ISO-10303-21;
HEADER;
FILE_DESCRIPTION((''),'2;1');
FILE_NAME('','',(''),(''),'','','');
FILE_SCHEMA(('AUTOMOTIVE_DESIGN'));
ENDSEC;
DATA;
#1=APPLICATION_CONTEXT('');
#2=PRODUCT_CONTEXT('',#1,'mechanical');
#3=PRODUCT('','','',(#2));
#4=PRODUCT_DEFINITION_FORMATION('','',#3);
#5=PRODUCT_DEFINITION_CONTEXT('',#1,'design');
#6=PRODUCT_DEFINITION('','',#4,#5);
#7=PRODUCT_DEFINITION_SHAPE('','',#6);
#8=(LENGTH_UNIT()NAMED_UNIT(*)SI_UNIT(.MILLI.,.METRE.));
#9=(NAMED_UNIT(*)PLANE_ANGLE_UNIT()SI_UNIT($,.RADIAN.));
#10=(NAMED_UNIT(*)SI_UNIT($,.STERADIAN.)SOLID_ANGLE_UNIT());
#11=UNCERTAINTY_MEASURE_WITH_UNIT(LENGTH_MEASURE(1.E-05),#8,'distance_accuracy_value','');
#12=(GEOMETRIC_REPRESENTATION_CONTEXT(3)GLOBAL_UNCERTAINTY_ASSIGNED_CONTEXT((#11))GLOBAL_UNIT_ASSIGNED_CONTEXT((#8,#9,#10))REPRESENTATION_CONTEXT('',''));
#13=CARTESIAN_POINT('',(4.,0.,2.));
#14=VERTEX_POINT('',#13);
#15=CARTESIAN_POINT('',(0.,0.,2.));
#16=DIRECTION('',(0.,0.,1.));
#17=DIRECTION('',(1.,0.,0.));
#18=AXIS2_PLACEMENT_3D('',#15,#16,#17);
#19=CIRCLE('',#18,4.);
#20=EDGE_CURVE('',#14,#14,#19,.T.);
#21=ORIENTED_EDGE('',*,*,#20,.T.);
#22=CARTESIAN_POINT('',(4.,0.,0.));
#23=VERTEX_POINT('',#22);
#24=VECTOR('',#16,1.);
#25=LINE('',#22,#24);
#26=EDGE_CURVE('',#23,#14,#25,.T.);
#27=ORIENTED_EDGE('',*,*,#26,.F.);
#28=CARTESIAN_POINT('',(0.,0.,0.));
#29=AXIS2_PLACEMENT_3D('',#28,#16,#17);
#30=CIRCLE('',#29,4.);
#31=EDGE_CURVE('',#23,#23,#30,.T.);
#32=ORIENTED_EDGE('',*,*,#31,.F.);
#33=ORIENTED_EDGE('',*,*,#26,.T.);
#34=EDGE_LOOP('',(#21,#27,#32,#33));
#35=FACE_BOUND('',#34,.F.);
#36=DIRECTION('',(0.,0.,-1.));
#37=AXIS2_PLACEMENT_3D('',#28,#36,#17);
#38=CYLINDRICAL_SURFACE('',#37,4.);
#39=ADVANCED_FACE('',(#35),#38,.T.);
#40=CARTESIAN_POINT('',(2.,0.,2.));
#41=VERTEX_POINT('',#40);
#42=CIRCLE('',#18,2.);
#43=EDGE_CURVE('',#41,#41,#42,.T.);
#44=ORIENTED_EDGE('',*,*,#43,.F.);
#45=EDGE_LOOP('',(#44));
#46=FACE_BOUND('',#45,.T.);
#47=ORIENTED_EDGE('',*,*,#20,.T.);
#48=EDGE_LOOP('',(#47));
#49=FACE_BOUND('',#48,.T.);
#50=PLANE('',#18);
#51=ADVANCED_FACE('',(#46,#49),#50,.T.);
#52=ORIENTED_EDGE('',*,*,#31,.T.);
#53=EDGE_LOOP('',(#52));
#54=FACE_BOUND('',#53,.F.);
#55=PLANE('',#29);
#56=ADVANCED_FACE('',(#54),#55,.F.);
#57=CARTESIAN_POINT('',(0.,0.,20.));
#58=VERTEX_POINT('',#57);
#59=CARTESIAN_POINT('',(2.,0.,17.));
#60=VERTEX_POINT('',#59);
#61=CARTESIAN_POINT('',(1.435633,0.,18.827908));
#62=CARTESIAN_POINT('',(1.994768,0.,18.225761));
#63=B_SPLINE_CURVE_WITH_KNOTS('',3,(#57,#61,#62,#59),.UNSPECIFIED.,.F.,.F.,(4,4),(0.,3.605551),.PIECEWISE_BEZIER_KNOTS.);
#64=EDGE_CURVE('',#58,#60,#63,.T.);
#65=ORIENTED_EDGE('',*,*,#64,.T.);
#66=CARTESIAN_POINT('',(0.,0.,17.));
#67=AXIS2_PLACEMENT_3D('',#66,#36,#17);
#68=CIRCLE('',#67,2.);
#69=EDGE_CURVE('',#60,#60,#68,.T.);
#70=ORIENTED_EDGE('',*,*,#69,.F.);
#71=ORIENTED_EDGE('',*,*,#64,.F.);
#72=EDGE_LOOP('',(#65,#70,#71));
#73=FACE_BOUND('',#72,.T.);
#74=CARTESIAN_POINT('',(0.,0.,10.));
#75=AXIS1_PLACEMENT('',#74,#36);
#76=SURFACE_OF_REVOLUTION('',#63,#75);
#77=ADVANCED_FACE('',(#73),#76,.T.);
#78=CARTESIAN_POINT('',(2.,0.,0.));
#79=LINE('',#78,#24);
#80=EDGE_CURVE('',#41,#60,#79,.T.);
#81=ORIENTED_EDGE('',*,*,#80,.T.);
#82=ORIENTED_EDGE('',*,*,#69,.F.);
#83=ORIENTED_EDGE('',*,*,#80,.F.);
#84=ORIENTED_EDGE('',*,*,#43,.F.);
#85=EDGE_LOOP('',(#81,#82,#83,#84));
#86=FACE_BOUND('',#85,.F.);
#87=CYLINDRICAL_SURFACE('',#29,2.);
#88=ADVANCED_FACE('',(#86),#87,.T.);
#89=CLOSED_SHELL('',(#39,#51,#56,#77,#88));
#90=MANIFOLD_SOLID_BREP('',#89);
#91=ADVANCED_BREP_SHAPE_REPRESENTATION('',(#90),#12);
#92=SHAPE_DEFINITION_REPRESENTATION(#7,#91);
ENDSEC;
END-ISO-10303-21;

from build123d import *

# Parameters (mm, degrees)
F0_R     = 4
F0_R_2   = 2
F1_DEPTH = 2


with BuildPart() as f1:
    # F0 (on Top) → F1 (new body)
    with BuildSketch(Plane.XY):
        Circle(F0_R)
        Circle(F0_R_2, mode=Mode.SUBTRACT)
        Circle(F0_R_2)
    extrude(amount=F1_DEPTH)

    # F2 (on Front) → F3 (revolve)
    with BuildSketch(Plane.XZ):
        with BuildLine():
            add(Edge.make_bspline(
                [(0, 20), (1.435633, 18.827908), (1.994768, 18.225761), (2, 17)],
                knots=[0, 0, 0, 0, 3.605551, 3.605551, 3.605551, 3.605551], degree=3))
            Line((0, 20), (2, 17))
        make_face()
        Polygon((0, 20), (0, 0), (2, 0), (2, 17), align=None)
    revolve(axis=Axis((0, 0, 10), (0, 0, -1)))


solid = f1.part
